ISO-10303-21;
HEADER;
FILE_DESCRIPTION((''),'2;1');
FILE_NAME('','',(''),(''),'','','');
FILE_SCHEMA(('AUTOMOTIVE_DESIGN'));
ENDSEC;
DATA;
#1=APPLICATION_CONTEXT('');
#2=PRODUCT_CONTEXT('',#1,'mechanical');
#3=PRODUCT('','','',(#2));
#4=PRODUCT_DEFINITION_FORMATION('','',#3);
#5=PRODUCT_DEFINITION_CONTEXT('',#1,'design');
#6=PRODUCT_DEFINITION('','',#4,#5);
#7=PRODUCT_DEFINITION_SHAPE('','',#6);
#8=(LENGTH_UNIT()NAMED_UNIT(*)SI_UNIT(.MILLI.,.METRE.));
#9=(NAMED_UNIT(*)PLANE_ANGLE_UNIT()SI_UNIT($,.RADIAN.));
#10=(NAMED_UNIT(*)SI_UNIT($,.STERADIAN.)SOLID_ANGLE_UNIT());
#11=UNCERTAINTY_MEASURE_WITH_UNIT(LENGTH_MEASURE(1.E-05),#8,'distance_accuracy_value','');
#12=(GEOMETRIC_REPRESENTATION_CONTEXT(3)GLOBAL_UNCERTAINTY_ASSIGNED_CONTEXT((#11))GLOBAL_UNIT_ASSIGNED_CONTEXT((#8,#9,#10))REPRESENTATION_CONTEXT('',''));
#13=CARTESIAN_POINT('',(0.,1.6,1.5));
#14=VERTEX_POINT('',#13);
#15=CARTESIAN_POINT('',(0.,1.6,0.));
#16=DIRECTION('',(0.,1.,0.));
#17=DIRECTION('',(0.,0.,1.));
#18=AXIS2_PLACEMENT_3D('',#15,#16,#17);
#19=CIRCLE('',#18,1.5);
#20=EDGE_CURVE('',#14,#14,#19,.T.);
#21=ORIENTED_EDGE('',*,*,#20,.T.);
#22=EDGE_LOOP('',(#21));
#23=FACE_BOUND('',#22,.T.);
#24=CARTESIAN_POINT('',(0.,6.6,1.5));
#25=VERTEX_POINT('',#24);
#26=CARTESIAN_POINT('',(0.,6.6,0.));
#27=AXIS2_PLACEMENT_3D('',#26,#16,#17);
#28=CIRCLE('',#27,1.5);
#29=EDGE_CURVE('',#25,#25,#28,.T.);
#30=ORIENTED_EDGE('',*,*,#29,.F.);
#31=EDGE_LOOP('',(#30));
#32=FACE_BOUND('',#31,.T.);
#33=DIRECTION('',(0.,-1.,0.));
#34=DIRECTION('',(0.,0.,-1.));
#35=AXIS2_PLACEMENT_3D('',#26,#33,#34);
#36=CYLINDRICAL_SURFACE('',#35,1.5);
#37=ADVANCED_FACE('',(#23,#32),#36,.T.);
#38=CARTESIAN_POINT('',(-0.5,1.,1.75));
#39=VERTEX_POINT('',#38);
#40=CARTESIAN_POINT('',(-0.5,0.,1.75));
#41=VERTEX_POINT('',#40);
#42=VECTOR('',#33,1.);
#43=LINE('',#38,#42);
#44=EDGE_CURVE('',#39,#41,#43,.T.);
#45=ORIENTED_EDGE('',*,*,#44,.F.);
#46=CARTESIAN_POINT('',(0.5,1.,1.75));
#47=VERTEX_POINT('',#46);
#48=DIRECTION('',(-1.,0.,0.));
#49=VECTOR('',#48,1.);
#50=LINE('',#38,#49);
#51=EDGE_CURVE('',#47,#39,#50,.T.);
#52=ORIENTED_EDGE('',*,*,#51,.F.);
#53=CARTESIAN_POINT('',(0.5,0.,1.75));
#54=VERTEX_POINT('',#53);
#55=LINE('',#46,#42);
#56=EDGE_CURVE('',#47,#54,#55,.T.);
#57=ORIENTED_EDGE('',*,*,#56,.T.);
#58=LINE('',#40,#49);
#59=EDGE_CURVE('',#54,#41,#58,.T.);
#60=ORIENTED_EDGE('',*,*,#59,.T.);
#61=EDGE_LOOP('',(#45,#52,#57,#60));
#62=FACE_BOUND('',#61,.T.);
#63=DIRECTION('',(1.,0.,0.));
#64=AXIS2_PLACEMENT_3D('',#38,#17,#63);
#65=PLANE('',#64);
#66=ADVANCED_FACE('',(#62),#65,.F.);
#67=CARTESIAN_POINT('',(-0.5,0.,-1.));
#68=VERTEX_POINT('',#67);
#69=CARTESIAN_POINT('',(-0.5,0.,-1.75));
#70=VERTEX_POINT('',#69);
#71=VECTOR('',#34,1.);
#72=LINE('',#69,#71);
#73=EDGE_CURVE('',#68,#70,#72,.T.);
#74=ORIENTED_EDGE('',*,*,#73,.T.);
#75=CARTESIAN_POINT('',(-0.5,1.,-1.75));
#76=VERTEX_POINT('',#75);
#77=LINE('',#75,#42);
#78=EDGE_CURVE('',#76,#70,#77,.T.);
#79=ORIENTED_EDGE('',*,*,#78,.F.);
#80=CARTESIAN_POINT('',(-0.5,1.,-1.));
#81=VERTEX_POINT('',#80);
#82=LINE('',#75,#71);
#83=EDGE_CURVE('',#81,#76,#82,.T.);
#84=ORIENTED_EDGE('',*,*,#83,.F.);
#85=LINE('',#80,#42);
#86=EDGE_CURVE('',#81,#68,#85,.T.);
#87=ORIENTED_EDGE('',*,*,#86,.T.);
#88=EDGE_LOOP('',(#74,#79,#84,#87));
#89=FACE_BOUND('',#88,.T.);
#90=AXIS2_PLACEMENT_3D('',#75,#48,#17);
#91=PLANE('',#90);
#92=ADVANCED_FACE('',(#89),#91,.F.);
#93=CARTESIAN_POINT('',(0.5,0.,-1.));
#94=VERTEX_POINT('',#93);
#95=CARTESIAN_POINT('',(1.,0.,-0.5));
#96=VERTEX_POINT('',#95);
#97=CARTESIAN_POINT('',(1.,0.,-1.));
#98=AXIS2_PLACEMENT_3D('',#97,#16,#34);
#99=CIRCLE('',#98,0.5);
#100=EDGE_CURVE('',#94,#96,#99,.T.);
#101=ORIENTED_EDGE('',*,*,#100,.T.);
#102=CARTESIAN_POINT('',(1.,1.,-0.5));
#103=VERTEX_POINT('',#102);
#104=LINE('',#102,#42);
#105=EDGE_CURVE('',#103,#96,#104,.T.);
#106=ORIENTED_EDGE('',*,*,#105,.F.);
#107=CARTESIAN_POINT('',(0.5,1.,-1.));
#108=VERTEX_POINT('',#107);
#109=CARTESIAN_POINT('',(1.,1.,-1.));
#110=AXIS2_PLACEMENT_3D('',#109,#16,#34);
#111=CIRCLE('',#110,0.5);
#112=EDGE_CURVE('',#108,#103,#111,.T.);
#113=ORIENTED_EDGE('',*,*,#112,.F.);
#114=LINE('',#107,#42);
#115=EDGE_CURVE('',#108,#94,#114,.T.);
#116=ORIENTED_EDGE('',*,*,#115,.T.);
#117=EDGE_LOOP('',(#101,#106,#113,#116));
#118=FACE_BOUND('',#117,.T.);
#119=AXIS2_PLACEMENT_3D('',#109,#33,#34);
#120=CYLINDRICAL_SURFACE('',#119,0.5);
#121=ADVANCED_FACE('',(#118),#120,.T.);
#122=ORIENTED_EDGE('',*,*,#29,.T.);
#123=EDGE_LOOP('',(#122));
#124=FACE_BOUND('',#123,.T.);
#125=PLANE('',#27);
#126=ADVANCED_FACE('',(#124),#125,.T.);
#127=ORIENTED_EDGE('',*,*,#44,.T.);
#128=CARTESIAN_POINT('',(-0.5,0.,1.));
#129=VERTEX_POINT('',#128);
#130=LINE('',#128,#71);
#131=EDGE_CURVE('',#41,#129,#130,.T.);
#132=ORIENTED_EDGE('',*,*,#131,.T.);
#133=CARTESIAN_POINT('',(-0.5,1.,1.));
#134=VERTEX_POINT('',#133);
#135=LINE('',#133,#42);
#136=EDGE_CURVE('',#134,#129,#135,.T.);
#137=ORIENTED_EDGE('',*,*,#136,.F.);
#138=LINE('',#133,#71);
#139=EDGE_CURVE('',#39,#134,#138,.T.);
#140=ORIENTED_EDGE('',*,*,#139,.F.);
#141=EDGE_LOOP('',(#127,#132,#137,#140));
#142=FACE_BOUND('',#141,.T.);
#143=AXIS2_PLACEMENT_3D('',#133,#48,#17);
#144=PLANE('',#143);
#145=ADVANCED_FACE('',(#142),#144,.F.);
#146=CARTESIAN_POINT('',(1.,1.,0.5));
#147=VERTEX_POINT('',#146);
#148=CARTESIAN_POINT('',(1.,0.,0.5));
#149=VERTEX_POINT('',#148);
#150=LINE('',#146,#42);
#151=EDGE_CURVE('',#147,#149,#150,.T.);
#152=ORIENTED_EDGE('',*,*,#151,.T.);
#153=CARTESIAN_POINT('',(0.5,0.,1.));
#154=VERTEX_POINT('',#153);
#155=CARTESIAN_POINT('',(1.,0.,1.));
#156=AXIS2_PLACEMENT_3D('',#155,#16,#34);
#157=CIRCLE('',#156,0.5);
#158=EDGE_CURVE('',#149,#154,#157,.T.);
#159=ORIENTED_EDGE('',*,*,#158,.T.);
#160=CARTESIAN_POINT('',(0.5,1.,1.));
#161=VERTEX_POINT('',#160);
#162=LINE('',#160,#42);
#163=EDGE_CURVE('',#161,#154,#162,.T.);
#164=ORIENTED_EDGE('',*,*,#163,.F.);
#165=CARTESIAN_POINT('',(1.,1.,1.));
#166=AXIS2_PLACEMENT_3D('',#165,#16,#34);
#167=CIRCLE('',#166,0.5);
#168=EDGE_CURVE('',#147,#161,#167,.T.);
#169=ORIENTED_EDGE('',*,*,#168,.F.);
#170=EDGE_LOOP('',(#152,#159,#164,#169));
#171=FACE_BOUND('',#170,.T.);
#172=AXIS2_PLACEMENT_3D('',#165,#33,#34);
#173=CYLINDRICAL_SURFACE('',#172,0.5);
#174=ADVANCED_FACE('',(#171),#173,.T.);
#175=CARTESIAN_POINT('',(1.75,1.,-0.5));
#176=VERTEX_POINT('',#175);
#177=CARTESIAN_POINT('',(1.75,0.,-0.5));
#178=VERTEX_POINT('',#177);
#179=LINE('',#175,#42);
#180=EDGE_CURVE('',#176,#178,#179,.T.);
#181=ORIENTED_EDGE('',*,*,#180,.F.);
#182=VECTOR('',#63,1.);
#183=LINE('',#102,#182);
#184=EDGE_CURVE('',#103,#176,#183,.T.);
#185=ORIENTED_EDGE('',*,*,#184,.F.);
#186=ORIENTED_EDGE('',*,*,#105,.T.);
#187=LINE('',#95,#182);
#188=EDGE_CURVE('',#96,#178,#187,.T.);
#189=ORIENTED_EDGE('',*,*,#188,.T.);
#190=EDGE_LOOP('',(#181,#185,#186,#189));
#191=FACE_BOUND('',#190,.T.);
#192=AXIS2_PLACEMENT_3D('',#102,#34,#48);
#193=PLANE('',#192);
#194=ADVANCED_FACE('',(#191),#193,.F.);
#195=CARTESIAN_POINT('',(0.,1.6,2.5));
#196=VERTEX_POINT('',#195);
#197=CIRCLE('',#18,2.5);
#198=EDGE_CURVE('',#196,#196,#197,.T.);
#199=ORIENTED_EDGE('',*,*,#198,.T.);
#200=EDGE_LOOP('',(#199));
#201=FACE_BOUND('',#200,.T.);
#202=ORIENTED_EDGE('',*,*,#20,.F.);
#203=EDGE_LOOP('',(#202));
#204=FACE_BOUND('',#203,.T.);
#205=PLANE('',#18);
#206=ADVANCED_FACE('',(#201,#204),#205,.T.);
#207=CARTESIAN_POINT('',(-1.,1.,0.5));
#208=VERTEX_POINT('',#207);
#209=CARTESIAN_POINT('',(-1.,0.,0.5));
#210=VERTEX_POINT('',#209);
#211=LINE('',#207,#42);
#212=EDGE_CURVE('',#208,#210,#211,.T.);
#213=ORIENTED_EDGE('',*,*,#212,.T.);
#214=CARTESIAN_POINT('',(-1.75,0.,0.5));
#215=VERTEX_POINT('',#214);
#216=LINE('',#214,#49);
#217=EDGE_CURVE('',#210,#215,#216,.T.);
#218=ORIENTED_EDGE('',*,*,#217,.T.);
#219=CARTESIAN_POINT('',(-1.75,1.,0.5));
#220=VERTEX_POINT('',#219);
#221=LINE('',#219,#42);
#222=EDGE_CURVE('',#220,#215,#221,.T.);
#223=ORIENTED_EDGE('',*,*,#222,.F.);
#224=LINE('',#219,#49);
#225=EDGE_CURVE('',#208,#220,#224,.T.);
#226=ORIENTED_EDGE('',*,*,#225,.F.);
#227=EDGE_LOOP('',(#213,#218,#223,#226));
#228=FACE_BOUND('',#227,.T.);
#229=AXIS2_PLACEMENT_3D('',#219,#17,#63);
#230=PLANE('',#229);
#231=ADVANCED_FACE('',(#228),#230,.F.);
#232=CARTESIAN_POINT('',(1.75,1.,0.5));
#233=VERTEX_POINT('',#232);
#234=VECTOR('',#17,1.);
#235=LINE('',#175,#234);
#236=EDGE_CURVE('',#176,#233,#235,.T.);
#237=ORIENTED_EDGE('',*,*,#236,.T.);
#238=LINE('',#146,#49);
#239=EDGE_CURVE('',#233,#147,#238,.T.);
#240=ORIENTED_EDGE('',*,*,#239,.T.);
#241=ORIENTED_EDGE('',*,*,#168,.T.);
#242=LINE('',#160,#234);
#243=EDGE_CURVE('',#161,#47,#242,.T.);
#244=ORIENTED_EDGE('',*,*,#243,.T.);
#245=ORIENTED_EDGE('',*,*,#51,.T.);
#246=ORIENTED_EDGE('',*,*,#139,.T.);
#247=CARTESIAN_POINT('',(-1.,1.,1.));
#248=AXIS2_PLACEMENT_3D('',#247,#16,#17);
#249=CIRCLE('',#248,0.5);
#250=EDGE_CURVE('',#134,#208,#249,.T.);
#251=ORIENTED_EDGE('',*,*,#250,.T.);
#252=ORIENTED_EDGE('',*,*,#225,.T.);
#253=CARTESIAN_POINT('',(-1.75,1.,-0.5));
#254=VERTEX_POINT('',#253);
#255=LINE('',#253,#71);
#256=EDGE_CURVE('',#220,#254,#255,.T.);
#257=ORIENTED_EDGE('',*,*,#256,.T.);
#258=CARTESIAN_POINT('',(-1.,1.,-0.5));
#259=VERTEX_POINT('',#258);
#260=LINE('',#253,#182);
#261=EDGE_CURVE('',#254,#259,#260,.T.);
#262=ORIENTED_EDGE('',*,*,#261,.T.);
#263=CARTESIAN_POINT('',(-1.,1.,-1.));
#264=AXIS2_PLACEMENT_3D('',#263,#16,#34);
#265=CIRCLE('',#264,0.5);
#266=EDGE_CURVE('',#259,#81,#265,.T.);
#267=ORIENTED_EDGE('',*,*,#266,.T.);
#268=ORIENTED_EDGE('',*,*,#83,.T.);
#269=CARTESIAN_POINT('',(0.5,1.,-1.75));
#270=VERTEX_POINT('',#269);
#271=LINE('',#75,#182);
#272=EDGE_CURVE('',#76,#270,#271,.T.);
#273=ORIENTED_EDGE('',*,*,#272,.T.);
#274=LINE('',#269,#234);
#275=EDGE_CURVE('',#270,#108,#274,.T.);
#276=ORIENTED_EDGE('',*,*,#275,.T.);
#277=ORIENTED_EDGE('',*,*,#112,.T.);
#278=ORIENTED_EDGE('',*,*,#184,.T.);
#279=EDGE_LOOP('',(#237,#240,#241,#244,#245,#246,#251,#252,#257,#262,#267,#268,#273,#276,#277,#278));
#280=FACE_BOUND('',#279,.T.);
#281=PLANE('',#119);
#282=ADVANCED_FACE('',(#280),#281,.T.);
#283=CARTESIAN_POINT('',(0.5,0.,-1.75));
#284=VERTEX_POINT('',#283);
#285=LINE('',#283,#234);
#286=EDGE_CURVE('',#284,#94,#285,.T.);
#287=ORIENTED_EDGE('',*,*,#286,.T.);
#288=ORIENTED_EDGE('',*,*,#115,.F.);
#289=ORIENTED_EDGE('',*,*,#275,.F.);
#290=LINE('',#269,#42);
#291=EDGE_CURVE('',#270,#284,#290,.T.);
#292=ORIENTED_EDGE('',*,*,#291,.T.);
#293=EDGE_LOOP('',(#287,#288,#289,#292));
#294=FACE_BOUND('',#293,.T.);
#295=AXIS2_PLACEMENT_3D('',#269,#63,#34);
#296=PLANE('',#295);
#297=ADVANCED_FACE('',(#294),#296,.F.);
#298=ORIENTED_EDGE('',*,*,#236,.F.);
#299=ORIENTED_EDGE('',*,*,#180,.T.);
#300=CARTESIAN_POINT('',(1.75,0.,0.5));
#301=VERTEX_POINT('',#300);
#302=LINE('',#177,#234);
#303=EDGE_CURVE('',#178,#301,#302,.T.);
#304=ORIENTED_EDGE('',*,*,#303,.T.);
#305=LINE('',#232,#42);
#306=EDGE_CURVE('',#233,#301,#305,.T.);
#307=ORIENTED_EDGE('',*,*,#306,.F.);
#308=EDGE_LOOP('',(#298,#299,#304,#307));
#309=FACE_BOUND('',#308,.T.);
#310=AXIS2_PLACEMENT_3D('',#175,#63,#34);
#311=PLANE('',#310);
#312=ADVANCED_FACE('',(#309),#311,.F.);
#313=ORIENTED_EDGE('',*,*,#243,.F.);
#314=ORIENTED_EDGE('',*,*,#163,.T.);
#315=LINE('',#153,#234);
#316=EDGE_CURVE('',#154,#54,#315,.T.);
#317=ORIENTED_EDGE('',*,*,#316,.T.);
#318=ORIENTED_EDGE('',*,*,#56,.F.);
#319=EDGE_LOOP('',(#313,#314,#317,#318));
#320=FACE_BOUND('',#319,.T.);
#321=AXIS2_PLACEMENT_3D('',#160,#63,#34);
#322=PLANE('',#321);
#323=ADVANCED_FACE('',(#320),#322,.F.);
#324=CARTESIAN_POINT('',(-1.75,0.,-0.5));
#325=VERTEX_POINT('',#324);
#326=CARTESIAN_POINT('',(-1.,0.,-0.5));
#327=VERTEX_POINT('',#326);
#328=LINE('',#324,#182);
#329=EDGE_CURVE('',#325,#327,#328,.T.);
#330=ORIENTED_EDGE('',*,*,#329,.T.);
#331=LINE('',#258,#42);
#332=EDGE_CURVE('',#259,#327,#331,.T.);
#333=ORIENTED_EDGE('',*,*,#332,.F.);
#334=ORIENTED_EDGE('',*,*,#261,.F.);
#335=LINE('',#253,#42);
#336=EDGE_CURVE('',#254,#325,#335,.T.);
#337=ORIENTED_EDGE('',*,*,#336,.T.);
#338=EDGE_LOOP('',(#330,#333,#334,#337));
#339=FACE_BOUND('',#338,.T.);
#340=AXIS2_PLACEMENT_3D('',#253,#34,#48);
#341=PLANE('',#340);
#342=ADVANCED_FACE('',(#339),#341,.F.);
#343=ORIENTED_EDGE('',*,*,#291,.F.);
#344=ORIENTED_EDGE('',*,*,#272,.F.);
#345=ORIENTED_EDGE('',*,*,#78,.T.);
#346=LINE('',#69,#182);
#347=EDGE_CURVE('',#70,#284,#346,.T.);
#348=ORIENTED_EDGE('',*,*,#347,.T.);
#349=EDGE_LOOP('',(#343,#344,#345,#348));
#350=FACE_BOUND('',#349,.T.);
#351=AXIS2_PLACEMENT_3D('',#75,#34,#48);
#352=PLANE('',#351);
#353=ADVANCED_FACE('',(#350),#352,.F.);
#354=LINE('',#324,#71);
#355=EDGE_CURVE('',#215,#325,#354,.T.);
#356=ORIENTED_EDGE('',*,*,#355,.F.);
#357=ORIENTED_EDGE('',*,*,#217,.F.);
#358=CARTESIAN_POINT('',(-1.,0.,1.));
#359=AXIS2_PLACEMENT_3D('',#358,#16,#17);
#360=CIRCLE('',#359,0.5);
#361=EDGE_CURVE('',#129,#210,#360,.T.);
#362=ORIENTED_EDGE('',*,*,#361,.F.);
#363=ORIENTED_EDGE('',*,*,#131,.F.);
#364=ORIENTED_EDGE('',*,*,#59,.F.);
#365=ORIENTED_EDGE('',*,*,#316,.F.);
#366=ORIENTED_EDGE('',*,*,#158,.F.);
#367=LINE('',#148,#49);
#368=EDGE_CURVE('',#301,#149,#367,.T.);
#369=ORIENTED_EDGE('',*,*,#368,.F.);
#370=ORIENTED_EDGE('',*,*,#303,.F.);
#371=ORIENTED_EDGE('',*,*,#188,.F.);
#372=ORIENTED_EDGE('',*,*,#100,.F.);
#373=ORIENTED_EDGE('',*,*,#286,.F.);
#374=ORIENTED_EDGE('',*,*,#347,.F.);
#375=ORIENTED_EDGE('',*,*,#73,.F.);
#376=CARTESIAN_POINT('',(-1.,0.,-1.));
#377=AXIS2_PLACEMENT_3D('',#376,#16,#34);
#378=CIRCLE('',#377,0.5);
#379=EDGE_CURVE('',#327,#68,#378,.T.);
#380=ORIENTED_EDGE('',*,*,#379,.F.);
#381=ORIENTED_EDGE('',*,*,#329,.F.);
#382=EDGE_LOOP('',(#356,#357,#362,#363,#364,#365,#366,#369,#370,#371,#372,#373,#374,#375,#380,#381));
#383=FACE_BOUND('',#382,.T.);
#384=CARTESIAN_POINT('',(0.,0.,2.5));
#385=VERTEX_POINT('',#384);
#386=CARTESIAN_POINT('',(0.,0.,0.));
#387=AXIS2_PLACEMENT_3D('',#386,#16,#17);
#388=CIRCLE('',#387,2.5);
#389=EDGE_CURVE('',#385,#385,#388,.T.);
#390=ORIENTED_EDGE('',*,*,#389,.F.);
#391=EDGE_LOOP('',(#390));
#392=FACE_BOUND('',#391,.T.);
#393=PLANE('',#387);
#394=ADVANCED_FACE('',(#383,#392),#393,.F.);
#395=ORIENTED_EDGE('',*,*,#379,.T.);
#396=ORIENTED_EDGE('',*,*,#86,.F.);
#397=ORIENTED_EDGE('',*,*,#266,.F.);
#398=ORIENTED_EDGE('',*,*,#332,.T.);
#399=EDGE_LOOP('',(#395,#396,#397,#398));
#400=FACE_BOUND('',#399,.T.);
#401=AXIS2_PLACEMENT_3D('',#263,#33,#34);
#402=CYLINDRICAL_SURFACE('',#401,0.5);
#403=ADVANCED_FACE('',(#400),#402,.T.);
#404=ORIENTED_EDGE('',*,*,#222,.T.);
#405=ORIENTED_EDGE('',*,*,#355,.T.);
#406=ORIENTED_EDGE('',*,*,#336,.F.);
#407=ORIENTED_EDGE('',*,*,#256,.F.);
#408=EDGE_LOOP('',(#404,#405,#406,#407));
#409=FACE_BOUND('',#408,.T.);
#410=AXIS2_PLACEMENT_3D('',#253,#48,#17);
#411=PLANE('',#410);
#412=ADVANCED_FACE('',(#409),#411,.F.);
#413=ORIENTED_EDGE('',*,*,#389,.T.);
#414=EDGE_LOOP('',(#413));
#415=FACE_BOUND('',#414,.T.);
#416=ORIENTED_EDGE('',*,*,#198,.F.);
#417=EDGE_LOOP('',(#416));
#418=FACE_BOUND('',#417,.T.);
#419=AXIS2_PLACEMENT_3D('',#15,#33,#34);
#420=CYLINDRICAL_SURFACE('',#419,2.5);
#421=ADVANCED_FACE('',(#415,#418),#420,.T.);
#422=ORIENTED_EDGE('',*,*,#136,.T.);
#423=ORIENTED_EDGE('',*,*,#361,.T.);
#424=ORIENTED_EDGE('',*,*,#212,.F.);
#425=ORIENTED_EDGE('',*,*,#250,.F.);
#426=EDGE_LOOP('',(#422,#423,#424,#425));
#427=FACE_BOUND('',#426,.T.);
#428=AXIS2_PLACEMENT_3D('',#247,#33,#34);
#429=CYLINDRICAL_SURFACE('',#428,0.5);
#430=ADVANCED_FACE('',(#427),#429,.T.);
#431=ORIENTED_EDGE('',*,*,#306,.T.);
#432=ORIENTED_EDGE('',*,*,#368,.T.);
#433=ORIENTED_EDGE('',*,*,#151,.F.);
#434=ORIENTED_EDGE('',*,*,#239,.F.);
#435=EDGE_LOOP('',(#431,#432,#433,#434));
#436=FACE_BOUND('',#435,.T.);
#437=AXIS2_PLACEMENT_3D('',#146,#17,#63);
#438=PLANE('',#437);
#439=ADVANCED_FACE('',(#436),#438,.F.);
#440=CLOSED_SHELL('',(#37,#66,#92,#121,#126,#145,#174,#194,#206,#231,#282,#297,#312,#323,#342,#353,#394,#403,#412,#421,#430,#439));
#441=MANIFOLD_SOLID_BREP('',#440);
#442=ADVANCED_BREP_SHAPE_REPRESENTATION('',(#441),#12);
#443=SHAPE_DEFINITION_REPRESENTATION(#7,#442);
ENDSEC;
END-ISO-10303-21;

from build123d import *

# Parameters (mm, degrees)
SKETCH_1_R          = 2.5
EXTRUDE_1_DEPTH     = 1.6
SKETCH_2_R          = 1.5
EXTRUDE_2_DEPTH     = 5
CUT_EXTRUDE_1_DEPTH = 1


with BuildPart() as part:
    # 草图1 → 凸台-拉伸1 (new body)
    with BuildSketch(Plane(origin=(0, 0, 0), x_dir=(1, 0, 0), z_dir=(0, 1, 0))):
        Circle(SKETCH_1_R)
    extrude(amount=EXTRUDE_1_DEPTH)

    # 草图2 → 凸台-拉伸2 (add)
    with BuildSketch(Plane(origin=(0, 1.6, 0), x_dir=(1, 0, 0), z_dir=(0, 1, 0))):
        Circle(SKETCH_2_R)
    extrude(amount=EXTRUDE_2_DEPTH)

    # 草图3 → 切除-拉伸1 (cut)
    with BuildSketch(Plane.XZ):
        with BuildLine():
            Line((-0.5, 1), (-0.5, 1.75))
            Line((-0.5, 1.75), (0.5, 1.75))
            Line((0.5, 1.75), (0.5, 1))
            ThreePointArc((0.5, 1), (0.646446609, 0.646446609), (1, 0.5))
            Line((1, 0.5), (1.75, 0.5))
            Line((1.75, 0.5), (1.75, -0.5))
            Line((1.75, -0.5), (1, -0.5))
            ThreePointArc((1, -0.5), (0.646446609, -0.646446609), (0.5, -1))
            Line((0.5, -1), (0.5, -1.75))
            Line((0.5, -1.75), (-0.5, -1.75))
            Line((-0.5, -1.75), (-0.5, -1))
            ThreePointArc((-0.5, -1), (-0.646446609, -0.646446609), (-1, -0.5))
            Line((-1, -0.5), (-1.75, -0.5))
            Line((-1.75, -0.5), (-1.75, 0.5))
            Line((-1.75, 0.5), (-1, 0.5))
            ThreePointArc((-1, 0.5), (-0.646446609, 0.646446609), (-0.5, 1))
        make_face()
    extrude(amount=-CUT_EXTRUDE_1_DEPTH, mode=Mode.SUBTRACT)


solid = part.part
